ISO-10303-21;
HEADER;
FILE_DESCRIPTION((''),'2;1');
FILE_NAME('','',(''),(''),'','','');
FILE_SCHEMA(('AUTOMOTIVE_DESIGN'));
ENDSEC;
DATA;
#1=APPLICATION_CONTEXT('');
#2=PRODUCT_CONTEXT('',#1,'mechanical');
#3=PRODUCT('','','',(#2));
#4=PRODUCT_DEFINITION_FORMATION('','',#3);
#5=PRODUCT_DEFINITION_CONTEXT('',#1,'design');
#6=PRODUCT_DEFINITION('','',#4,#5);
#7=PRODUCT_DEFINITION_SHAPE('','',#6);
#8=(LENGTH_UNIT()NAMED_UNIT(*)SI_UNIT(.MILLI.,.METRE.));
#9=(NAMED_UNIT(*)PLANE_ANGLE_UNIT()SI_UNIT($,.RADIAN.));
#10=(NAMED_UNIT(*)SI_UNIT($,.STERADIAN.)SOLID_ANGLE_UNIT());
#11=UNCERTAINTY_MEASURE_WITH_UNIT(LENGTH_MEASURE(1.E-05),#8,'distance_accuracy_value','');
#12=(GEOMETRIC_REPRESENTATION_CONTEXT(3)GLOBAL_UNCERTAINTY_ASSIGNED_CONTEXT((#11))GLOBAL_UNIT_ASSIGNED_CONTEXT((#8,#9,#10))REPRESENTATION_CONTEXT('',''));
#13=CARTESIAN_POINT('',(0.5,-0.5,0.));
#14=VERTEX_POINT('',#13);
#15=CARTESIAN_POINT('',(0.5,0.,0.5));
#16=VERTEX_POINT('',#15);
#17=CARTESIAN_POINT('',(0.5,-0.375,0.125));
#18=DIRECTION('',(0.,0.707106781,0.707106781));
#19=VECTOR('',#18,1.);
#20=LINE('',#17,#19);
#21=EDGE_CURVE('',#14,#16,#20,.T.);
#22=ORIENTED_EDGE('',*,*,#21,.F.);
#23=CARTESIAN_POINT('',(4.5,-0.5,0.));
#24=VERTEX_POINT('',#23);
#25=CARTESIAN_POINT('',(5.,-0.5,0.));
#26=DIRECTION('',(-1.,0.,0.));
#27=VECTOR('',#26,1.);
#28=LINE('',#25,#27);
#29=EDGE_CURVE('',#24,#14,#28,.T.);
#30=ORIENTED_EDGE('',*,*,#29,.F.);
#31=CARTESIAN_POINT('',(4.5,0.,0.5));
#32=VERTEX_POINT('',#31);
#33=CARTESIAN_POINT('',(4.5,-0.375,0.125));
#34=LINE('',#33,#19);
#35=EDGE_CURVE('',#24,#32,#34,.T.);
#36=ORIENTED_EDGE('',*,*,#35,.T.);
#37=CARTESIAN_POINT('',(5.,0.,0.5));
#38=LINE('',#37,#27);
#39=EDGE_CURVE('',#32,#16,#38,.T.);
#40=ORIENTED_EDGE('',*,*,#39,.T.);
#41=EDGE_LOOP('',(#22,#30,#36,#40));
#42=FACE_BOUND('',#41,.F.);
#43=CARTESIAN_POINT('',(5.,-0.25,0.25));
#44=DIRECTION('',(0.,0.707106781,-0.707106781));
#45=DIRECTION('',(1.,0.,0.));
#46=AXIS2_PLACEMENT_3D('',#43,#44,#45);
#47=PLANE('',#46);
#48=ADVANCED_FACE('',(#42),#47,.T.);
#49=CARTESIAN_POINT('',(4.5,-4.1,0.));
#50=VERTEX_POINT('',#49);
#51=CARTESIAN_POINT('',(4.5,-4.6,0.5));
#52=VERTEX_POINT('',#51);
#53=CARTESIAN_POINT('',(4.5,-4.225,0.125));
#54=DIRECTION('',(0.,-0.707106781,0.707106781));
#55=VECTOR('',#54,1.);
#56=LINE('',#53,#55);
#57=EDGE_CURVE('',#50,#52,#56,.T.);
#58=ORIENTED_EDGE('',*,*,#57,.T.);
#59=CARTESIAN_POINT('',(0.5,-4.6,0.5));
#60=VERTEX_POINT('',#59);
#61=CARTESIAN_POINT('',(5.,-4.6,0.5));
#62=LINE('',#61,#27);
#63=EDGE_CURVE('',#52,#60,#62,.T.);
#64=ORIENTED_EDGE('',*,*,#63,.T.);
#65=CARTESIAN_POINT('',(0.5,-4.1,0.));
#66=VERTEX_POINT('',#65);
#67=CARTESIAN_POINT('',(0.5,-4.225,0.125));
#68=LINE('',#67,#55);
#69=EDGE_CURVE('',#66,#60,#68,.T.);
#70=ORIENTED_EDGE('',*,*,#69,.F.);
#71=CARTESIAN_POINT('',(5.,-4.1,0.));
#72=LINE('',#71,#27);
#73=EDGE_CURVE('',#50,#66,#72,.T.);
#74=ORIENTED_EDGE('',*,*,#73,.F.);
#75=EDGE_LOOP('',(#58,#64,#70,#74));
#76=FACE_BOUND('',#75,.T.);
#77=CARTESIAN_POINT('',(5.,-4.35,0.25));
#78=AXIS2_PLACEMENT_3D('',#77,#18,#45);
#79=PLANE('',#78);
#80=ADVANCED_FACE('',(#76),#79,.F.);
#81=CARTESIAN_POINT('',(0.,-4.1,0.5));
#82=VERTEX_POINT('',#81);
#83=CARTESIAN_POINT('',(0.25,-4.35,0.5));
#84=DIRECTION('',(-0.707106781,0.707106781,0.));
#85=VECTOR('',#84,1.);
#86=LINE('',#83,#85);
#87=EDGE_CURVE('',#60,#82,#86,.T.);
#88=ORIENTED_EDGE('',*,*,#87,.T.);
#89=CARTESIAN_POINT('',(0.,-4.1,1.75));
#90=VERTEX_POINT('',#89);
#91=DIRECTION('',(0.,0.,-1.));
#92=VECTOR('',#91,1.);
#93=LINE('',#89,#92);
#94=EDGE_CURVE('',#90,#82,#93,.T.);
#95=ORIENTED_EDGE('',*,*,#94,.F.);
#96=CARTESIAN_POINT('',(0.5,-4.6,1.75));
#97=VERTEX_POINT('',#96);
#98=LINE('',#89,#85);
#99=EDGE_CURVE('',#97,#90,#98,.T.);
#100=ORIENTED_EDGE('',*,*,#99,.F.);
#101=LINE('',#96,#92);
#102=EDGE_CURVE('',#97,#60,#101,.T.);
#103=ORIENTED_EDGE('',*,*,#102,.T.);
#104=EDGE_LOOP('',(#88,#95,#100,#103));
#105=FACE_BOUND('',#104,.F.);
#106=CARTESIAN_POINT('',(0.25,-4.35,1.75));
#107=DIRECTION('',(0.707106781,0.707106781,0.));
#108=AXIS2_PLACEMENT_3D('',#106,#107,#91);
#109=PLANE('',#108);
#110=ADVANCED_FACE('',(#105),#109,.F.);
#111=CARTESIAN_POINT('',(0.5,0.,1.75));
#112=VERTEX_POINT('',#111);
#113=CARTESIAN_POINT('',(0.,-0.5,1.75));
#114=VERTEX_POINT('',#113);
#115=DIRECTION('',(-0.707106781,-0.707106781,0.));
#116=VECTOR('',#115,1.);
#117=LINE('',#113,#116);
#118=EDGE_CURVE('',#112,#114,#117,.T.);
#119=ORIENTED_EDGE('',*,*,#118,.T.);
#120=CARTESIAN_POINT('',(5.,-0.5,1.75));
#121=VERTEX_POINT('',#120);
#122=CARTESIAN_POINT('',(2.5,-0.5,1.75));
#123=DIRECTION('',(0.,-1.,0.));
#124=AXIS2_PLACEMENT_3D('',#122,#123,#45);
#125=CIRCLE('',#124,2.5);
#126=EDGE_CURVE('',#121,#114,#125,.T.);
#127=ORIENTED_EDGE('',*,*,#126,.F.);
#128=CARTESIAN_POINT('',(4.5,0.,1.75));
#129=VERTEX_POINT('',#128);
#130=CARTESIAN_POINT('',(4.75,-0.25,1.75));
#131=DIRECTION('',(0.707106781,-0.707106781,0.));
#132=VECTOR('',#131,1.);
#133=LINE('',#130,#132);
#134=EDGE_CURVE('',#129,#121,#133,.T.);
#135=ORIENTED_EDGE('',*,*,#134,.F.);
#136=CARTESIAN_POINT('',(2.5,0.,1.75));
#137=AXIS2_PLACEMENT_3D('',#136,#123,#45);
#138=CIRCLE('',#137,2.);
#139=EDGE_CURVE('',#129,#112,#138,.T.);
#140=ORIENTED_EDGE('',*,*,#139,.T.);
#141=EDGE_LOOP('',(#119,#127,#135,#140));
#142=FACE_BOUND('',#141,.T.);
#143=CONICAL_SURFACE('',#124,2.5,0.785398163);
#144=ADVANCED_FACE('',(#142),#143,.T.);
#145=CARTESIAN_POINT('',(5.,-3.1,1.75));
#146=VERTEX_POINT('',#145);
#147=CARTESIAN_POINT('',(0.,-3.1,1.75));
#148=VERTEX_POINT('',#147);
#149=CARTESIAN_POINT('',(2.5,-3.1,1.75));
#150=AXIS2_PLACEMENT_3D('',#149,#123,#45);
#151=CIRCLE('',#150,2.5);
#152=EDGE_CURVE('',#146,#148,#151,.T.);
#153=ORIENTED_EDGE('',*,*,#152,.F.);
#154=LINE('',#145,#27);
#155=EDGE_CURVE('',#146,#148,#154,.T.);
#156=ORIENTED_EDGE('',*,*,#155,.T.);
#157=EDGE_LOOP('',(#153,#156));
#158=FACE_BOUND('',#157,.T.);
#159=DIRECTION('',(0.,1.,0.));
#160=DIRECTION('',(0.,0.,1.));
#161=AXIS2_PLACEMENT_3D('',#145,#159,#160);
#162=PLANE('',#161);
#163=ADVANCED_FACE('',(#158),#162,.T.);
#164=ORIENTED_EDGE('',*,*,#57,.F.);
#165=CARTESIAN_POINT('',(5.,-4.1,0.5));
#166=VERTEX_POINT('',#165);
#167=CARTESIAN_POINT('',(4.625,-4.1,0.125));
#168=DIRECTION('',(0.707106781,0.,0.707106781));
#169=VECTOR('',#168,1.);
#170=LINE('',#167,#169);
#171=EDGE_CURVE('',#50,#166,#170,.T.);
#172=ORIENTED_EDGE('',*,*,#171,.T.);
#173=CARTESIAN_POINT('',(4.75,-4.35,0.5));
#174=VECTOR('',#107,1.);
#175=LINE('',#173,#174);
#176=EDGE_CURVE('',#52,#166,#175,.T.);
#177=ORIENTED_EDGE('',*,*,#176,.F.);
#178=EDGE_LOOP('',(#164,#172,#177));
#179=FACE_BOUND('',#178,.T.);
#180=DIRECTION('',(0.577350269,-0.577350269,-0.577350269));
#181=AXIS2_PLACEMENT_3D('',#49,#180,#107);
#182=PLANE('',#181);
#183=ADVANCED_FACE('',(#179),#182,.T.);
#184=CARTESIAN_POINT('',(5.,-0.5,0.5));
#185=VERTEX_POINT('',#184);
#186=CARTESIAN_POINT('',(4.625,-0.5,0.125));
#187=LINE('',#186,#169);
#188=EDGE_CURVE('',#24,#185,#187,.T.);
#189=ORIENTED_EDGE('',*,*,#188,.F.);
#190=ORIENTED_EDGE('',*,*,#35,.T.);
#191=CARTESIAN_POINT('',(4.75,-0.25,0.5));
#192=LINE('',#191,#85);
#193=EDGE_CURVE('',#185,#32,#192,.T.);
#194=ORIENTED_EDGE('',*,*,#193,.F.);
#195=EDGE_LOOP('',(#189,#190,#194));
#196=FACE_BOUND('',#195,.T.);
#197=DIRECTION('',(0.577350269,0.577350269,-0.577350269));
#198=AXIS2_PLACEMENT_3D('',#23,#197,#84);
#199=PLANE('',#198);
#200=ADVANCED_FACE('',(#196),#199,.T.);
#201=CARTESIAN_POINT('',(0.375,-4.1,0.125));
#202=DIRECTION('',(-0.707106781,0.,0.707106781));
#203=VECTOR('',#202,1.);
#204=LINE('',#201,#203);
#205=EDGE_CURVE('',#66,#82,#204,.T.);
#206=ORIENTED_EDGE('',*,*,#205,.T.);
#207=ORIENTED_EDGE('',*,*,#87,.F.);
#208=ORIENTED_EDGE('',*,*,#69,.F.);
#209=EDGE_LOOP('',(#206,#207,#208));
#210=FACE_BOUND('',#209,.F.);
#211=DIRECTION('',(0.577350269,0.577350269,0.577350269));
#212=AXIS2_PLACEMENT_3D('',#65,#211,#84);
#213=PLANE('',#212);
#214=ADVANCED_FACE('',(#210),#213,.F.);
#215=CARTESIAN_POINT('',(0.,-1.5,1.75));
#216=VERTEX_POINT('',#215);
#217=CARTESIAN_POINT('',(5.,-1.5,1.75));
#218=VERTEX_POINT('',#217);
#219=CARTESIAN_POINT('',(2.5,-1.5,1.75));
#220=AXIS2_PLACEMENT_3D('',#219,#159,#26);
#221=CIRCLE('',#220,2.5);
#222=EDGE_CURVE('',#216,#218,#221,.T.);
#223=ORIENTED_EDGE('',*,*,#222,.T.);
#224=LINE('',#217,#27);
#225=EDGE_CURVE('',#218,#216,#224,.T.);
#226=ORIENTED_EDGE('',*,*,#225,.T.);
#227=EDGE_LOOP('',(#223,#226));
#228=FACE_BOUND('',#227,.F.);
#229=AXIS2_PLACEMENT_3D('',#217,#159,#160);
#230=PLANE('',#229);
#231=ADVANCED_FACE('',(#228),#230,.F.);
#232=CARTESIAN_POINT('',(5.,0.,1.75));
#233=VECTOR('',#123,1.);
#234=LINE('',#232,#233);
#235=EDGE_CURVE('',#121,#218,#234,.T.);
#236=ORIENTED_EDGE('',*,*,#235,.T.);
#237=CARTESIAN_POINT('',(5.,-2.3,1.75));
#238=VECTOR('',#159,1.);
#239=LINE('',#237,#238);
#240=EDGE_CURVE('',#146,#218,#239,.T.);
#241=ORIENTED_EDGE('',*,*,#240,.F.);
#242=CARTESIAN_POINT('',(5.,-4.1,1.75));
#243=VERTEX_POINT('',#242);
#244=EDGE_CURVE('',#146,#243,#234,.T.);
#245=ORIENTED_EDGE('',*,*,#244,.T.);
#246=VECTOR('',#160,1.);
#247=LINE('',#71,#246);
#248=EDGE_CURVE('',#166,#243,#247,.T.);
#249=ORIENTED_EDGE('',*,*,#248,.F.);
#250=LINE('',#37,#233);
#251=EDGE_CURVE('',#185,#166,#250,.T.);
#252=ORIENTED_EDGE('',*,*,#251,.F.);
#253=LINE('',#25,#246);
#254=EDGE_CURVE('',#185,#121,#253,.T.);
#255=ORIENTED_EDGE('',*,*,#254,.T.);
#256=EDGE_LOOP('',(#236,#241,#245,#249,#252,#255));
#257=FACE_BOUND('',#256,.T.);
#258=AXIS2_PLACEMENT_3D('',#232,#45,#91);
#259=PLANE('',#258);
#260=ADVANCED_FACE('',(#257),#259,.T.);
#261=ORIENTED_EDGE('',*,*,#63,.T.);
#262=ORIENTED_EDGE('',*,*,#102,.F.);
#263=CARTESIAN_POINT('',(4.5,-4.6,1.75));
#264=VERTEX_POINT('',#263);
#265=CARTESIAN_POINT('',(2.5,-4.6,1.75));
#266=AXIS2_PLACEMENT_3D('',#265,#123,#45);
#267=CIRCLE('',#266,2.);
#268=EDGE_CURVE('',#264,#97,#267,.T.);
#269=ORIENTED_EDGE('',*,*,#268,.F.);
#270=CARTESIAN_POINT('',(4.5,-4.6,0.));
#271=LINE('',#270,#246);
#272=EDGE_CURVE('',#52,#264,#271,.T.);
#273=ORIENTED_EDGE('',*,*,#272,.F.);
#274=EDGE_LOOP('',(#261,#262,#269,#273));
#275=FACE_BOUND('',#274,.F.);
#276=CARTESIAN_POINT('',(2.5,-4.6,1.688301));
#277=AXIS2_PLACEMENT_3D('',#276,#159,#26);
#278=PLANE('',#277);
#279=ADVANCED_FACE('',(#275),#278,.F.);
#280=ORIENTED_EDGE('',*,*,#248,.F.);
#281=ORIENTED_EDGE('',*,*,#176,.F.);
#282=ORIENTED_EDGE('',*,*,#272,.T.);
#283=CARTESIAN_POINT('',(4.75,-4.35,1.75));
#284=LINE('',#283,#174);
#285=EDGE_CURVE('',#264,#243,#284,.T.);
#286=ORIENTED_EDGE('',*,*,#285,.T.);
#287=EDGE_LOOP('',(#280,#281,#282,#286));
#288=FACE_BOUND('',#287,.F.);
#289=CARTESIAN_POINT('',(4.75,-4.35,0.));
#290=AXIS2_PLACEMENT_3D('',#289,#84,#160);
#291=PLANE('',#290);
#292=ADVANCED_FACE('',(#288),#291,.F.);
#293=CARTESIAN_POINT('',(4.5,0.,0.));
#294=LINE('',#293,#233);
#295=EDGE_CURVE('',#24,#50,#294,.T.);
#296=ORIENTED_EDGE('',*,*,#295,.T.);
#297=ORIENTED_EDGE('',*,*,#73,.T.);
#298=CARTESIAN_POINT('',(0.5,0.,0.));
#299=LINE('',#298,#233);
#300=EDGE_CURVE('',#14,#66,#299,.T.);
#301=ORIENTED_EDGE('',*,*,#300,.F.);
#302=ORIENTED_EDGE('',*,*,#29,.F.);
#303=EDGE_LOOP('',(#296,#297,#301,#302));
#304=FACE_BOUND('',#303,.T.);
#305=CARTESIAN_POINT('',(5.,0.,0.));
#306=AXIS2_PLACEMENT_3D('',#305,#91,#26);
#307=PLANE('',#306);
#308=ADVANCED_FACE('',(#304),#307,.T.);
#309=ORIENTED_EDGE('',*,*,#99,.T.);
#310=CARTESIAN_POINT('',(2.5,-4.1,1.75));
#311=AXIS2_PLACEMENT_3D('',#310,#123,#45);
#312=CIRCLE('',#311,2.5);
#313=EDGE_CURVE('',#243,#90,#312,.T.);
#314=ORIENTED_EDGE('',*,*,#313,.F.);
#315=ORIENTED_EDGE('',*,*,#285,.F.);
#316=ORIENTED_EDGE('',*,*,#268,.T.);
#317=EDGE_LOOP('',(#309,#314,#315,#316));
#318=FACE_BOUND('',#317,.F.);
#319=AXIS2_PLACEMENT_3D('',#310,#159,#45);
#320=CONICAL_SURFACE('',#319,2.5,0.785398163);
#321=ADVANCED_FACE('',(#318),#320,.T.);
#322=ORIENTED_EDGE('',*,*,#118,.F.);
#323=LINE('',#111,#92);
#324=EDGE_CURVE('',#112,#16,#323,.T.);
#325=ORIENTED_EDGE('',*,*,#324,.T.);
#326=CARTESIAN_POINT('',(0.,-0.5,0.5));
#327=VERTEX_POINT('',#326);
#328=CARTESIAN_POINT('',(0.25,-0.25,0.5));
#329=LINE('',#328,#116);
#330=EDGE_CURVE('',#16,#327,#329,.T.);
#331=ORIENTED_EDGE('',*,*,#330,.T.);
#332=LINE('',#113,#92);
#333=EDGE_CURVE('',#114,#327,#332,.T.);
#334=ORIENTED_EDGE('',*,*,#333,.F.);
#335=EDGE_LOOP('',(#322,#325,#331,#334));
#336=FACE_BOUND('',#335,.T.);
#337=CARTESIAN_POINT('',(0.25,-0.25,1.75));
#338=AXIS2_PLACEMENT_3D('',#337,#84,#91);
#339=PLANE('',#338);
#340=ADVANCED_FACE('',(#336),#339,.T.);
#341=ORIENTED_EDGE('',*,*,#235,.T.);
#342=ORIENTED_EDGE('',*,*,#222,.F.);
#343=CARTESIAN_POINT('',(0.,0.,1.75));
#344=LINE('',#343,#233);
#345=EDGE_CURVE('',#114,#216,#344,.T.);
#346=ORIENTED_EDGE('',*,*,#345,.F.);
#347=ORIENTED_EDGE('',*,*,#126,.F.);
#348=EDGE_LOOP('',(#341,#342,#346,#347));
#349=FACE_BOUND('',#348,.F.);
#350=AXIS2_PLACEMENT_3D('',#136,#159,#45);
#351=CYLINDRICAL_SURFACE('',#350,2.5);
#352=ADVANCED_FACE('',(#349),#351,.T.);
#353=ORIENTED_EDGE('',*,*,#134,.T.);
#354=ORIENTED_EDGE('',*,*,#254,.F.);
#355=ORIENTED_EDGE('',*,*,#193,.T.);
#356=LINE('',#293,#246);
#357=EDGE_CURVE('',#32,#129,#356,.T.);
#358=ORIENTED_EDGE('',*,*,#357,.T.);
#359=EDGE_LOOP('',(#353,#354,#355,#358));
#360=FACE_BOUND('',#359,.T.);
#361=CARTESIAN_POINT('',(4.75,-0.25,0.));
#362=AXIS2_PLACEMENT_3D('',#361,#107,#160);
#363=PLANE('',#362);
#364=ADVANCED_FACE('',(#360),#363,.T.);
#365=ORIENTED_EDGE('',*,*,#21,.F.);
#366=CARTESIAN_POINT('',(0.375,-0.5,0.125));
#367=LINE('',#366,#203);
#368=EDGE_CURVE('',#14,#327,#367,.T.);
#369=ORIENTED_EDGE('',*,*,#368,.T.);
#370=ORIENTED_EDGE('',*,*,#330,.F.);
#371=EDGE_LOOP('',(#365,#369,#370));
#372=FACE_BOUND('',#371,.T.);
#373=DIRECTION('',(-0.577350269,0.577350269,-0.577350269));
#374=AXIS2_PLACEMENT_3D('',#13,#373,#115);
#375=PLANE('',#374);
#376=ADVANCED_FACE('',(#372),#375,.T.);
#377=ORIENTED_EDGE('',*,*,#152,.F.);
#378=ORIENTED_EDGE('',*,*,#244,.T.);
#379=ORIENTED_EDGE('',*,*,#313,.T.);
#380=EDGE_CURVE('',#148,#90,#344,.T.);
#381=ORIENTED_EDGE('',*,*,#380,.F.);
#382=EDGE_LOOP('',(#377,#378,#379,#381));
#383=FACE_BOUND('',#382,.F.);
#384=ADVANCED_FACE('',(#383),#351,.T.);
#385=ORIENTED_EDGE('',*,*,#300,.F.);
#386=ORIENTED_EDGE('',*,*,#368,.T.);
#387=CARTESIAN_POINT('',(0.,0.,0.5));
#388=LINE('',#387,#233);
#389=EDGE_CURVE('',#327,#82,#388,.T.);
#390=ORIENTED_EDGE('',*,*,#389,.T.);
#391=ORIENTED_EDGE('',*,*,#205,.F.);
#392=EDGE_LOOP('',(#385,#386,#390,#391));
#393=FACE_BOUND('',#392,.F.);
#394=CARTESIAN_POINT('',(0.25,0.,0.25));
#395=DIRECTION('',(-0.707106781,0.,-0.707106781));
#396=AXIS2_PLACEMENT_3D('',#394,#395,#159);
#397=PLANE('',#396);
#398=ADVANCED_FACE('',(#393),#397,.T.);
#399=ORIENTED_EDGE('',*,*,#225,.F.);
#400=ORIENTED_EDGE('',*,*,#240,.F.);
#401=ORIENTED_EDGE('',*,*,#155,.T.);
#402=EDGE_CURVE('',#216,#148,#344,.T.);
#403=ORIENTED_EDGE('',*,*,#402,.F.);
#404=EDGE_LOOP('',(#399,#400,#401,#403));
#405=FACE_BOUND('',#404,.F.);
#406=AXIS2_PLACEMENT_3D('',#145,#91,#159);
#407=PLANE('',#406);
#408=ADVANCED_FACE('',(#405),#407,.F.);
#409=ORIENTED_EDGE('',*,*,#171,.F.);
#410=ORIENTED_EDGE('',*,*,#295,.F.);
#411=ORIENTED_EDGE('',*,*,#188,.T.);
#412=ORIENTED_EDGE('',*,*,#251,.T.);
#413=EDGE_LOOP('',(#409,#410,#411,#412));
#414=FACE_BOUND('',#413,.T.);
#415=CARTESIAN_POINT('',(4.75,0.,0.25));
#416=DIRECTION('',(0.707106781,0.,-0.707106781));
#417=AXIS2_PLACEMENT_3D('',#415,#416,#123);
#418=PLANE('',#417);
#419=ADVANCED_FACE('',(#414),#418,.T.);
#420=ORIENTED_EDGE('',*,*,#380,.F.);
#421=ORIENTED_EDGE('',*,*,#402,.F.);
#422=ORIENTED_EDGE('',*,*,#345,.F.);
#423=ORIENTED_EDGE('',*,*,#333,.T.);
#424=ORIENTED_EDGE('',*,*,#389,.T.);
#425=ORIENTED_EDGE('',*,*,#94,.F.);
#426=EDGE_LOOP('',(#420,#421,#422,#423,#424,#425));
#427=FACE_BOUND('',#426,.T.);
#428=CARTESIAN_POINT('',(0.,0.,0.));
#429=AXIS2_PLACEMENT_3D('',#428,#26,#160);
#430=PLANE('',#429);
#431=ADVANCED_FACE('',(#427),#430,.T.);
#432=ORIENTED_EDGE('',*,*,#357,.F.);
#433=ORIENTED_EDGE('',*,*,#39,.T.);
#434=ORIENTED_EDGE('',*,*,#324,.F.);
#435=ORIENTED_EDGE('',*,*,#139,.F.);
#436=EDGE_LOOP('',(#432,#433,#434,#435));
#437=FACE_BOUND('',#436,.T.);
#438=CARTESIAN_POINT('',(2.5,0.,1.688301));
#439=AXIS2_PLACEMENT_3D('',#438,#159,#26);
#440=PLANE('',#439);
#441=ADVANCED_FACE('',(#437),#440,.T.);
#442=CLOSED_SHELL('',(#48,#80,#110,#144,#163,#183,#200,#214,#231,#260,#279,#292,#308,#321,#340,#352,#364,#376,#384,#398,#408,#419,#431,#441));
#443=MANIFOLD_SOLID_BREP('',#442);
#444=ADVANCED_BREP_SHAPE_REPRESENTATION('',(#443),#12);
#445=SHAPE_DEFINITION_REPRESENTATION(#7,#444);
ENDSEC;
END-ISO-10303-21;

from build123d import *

# Parameters (mm, degrees)
PAD_DEPTH    = 4.6
SKETCH001_W  = 1.6
SKETCH001_H  = 2.5
POCKET_DEPTH = 5.001
CHAMFER_SIZE = 0.5


with BuildPart() as part:
    # Sketch (on XZ_Plane of Origin) → Pad (new body)
    with BuildSketch(Plane.XZ):
        with BuildLine():
            Line((0, 0), (0, 1.75))
            ThreePointArc((5, 1.75), (2.5, 4.25), (0, 1.75))
            Line((5, 1.75), (5, 0))
            Line((5, 0), (0, 0))
        make_face()
    extrude(amount=PAD_DEPTH)

    # Sketch001 (on Face3 of Pad) → Pocket (cut, through all)
    with BuildSketch(Plane.YZ.offset(5)):
        with Locations((-2.3, 3)):
            Rectangle(SKETCH001_W, SKETCH001_H)
    extrude(amount=-POCKET_DEPTH, mode=Mode.SUBTRACT)

    # Chamfer
    chamfer_edges = [part.edges().sort_by_distance(p)[0] for p in [
        (2.5, -4.6, 4.25),
        (2.5, -4.6, 0),
        (2.5, 0, 4.25),
        (5, -2.3, 0),
        (2.5, 0, 0),
        (0, -2.3, 0),
    ]]
    chamfer(chamfer_edges, length=CHAMFER_SIZE)


solid = part.part
